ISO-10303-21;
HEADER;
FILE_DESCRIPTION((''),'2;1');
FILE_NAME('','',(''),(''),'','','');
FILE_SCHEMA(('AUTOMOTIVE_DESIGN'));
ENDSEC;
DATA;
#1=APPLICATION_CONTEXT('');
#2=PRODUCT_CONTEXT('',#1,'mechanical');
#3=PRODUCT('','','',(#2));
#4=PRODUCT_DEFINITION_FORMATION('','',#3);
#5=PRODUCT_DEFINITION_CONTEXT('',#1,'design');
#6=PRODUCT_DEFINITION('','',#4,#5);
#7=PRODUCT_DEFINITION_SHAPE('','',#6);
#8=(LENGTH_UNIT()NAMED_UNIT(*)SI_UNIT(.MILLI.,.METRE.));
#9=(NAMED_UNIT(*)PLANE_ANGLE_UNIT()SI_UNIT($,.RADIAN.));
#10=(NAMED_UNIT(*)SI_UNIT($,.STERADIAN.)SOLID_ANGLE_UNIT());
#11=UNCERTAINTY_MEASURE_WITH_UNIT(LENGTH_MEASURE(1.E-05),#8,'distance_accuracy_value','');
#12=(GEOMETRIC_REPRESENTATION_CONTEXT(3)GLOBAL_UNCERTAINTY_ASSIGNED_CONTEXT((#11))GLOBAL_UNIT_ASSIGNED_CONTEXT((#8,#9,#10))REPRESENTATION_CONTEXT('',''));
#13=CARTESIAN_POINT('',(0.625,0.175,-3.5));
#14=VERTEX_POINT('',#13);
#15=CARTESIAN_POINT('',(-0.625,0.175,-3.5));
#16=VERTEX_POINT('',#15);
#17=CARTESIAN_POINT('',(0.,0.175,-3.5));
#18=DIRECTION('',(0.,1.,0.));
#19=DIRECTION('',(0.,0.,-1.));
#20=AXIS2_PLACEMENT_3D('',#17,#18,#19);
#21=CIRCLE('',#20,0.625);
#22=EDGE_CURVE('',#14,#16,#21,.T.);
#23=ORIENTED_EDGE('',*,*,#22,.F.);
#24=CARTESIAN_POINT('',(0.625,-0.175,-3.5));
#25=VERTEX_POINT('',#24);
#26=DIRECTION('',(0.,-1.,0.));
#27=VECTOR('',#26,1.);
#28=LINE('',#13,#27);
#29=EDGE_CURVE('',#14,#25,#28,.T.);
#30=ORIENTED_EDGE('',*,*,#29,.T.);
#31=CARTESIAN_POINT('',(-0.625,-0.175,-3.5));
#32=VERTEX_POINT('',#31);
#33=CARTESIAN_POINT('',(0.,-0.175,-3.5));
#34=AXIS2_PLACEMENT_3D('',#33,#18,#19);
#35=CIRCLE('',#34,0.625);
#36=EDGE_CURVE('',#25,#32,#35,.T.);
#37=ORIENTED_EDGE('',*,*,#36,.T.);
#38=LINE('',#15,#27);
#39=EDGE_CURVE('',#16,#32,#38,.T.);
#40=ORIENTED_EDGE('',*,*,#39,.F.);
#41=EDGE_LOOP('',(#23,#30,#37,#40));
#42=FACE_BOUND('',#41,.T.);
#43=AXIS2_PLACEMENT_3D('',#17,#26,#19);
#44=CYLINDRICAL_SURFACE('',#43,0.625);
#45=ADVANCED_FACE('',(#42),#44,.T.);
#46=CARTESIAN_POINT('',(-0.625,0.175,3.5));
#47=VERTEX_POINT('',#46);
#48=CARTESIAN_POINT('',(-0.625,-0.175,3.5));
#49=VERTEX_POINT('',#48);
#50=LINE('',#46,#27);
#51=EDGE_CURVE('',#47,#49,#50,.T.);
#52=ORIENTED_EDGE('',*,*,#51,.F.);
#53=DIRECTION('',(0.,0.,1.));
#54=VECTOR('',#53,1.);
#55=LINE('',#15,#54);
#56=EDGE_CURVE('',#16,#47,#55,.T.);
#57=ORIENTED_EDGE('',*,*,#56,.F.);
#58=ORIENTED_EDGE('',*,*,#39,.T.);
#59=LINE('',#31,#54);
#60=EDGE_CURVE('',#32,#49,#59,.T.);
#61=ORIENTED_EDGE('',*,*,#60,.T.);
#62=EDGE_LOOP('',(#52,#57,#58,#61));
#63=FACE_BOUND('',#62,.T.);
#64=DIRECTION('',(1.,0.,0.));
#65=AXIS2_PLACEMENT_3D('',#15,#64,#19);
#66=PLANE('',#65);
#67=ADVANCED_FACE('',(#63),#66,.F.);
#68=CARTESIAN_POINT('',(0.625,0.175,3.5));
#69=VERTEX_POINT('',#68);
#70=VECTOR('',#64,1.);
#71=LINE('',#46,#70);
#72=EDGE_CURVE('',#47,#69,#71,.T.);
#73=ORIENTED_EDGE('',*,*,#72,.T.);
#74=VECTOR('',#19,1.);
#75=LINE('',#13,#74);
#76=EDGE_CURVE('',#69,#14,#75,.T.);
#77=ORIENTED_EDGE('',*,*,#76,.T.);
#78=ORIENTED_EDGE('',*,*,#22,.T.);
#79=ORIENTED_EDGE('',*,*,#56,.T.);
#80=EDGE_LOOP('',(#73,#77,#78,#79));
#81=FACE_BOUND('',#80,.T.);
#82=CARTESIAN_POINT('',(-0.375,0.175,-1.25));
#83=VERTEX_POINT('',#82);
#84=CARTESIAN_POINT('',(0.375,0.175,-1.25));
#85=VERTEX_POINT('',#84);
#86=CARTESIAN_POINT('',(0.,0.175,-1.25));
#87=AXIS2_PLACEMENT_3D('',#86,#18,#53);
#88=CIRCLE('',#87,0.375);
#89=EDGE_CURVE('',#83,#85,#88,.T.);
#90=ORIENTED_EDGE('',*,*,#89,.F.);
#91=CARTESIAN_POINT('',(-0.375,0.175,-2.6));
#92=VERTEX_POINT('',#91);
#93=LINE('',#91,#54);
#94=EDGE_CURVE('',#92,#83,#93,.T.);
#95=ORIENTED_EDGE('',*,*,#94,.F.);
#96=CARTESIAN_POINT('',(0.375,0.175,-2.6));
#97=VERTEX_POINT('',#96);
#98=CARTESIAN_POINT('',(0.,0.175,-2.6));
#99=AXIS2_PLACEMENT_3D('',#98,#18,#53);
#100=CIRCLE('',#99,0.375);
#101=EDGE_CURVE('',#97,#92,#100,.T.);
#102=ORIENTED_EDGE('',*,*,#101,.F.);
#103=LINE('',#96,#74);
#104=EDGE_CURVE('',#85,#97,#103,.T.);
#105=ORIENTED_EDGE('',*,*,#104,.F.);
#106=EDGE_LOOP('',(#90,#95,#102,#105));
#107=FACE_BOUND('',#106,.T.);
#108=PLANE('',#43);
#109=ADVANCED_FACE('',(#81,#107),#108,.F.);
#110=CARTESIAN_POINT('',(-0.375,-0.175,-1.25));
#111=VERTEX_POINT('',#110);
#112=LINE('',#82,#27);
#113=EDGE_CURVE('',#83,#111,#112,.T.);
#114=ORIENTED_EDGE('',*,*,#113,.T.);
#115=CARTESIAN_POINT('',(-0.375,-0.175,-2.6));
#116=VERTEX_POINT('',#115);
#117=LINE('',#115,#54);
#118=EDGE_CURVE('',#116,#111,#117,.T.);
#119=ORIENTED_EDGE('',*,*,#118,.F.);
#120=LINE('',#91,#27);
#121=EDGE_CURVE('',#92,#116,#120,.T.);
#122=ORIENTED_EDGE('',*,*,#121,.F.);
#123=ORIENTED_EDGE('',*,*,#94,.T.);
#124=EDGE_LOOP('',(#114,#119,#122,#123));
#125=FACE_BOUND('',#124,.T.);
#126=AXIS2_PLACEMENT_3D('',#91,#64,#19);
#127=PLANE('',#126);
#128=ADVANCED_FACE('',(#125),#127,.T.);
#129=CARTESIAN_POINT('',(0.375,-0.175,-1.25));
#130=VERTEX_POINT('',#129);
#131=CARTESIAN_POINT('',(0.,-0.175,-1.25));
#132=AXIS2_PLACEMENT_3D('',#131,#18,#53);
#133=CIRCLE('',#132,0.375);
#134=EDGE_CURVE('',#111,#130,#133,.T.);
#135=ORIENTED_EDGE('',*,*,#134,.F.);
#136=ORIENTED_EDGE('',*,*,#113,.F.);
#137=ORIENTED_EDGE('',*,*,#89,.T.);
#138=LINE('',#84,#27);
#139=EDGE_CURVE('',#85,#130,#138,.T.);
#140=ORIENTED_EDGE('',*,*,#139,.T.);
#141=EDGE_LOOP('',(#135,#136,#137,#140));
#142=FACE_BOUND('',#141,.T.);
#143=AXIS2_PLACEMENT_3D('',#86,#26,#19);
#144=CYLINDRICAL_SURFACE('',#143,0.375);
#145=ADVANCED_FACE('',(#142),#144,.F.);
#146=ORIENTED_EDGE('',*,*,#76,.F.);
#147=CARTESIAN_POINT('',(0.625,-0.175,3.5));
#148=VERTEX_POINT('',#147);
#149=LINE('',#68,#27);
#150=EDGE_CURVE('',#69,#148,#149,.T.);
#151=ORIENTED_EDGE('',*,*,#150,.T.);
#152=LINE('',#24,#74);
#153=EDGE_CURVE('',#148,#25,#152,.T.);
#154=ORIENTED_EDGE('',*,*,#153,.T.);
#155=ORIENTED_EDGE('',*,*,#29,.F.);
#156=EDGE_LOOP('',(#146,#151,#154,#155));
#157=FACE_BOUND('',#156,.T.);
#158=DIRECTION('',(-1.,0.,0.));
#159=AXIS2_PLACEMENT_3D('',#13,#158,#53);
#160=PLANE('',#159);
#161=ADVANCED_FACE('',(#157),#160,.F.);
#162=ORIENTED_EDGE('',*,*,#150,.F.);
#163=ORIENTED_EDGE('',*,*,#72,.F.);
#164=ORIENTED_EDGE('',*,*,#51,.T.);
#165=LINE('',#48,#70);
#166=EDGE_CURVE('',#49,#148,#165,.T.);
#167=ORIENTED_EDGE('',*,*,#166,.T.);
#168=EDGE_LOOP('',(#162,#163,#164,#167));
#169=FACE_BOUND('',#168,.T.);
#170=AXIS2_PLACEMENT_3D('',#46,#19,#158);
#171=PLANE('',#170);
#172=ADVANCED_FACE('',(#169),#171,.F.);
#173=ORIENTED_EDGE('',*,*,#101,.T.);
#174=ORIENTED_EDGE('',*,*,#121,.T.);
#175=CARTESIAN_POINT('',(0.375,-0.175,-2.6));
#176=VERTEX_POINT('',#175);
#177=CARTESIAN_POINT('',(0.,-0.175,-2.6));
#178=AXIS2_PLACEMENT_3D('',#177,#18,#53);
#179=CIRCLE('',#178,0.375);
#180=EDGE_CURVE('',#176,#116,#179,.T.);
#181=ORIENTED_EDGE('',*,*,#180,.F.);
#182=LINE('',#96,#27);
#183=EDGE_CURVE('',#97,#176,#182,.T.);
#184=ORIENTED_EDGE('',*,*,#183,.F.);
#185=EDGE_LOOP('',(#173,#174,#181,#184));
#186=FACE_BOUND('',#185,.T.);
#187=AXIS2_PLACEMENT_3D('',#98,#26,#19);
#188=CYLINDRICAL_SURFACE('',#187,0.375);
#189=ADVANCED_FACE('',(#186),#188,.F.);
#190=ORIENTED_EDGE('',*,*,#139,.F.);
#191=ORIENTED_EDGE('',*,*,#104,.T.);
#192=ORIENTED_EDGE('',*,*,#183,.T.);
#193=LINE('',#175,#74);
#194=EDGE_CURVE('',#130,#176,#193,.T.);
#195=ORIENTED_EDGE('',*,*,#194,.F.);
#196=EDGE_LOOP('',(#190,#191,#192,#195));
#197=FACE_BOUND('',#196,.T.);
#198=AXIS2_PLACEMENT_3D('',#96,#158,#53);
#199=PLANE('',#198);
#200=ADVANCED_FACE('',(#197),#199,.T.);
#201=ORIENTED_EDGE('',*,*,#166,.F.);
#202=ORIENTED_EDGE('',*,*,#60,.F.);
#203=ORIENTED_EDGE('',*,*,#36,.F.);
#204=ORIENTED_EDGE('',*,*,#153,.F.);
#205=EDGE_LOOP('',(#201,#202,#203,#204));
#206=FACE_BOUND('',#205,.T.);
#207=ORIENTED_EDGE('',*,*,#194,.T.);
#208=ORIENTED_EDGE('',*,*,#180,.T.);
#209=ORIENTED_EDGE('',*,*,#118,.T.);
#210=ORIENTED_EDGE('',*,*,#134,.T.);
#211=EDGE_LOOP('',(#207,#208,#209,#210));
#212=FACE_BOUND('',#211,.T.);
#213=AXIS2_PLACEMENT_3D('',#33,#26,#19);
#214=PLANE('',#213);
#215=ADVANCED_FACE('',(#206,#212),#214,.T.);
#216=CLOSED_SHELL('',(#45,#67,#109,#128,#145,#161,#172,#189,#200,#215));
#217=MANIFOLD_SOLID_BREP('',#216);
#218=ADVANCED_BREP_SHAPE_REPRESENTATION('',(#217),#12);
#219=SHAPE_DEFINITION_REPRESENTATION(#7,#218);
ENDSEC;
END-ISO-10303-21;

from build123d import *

# Parameters (mm, degrees)
BOSS_EXTRUDE2_DEPTH = 0.175


with BuildPart() as part:
    # Sketch1 → Boss-Extrude2 (new, symmetric)
    with BuildSketch(Plane(origin=(0, 0, 0), x_dir=(1, 0, 0), z_dir=(0, 1, 0))):
        with BuildLine():
            Line((-0.625, 3.5), (-0.625, -3.5))
            Line((-0.625, -3.5), (0.625, -3.5))
            Line((0.625, -3.5), (0.625, 3.5))
            ThreePointArc((0.625, 3.5), (0, 4.125), (-0.625, 3.5))
        make_face()
        with BuildLine():
            Line((0.375, 2.6), (0.375, 1.25))
            ThreePointArc((0.375, 1.25), (0, 0.875), (-0.375, 1.25))
            Line((-0.375, 1.25), (-0.375, 2.6))
            ThreePointArc((-0.375, 2.6), (0, 2.975), (0.375, 2.6))
        make_face(mode=Mode.SUBTRACT)
    extrude(amount=BOSS_EXTRUDE2_DEPTH, both=True)


solid = part.part
